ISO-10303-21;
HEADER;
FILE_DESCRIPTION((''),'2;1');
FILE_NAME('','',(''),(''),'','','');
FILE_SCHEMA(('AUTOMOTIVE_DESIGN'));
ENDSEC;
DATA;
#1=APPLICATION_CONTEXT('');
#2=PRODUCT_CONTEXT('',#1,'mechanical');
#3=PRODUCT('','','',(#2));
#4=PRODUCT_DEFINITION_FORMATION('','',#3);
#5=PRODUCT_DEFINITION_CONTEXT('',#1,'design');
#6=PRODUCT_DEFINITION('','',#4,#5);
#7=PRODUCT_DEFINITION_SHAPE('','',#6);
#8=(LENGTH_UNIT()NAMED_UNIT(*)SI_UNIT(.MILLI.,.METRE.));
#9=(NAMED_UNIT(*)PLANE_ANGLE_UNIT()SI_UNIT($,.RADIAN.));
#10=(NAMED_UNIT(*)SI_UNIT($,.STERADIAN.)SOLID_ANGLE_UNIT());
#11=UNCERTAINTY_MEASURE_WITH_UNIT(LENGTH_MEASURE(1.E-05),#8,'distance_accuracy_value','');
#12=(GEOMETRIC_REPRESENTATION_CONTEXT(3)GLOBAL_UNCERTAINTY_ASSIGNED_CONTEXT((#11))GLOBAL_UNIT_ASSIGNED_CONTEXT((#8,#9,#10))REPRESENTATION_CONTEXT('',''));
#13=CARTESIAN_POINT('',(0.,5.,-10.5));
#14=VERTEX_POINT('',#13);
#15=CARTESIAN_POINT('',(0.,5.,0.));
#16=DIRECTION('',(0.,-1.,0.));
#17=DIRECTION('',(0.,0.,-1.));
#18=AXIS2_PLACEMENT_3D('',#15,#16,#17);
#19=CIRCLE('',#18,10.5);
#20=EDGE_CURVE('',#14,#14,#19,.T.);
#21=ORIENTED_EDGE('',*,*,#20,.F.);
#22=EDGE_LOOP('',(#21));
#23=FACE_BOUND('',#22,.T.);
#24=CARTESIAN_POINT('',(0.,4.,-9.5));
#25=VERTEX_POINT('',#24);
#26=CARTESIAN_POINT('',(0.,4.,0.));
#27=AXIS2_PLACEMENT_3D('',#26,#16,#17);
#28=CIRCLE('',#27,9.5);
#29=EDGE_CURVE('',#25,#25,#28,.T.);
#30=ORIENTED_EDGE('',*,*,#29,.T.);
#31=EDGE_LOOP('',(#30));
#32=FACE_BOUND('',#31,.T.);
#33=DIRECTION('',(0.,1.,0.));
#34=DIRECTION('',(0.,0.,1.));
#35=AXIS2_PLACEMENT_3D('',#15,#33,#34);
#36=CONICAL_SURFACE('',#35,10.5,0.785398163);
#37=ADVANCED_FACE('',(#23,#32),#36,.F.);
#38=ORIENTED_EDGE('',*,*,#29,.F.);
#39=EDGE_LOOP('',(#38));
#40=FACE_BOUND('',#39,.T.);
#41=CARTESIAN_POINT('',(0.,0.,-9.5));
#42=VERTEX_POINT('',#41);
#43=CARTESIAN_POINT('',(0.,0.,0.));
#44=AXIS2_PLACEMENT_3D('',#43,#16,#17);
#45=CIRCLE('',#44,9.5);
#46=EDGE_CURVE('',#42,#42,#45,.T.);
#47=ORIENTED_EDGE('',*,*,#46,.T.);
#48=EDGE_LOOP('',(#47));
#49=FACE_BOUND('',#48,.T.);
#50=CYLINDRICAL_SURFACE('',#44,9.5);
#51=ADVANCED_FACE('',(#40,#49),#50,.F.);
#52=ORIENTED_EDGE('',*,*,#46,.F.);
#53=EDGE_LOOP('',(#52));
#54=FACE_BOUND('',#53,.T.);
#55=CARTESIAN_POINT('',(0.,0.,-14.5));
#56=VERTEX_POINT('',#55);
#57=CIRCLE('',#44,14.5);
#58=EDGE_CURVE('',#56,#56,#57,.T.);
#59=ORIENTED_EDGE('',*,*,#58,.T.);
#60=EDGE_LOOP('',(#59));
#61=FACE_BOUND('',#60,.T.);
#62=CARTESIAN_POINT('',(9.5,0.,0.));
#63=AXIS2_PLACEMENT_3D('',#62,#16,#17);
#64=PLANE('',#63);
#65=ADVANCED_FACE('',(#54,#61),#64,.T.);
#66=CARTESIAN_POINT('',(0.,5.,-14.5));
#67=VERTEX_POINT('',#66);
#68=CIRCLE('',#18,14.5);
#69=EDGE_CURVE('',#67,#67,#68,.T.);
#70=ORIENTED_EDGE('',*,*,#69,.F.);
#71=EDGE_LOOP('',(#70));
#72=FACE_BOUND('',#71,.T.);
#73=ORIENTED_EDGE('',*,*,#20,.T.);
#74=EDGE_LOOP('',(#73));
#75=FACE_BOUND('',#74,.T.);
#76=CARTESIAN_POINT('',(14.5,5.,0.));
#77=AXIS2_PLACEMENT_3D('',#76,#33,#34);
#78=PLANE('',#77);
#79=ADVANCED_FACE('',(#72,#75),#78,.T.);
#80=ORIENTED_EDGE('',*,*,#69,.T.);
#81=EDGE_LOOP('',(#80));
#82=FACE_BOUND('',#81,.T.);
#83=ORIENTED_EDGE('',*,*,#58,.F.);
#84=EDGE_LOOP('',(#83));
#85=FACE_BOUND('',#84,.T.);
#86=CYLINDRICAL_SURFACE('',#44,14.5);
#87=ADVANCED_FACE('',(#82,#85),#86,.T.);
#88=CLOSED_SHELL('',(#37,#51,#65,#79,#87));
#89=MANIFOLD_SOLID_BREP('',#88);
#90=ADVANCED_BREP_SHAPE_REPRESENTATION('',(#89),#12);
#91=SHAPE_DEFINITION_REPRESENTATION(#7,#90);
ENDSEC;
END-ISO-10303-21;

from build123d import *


with BuildPart() as part:
    # Sketch1 → Revolve1 (revolve)
    with BuildSketch(Plane.XY, mode=Mode.PRIVATE) as revolve1_sk:
        Polygon((9.5, 0), (14.5, 0), (14.5, 5), (10.5, 5), (9.5, 4), align=None)
    revolve(revolve1_sk.sketch.rotate(Axis((0, 0, 0), (0, 1, 0)), 90), axis=Axis((0, 0, 0), (0, 1, 0)))


solid = part.part
